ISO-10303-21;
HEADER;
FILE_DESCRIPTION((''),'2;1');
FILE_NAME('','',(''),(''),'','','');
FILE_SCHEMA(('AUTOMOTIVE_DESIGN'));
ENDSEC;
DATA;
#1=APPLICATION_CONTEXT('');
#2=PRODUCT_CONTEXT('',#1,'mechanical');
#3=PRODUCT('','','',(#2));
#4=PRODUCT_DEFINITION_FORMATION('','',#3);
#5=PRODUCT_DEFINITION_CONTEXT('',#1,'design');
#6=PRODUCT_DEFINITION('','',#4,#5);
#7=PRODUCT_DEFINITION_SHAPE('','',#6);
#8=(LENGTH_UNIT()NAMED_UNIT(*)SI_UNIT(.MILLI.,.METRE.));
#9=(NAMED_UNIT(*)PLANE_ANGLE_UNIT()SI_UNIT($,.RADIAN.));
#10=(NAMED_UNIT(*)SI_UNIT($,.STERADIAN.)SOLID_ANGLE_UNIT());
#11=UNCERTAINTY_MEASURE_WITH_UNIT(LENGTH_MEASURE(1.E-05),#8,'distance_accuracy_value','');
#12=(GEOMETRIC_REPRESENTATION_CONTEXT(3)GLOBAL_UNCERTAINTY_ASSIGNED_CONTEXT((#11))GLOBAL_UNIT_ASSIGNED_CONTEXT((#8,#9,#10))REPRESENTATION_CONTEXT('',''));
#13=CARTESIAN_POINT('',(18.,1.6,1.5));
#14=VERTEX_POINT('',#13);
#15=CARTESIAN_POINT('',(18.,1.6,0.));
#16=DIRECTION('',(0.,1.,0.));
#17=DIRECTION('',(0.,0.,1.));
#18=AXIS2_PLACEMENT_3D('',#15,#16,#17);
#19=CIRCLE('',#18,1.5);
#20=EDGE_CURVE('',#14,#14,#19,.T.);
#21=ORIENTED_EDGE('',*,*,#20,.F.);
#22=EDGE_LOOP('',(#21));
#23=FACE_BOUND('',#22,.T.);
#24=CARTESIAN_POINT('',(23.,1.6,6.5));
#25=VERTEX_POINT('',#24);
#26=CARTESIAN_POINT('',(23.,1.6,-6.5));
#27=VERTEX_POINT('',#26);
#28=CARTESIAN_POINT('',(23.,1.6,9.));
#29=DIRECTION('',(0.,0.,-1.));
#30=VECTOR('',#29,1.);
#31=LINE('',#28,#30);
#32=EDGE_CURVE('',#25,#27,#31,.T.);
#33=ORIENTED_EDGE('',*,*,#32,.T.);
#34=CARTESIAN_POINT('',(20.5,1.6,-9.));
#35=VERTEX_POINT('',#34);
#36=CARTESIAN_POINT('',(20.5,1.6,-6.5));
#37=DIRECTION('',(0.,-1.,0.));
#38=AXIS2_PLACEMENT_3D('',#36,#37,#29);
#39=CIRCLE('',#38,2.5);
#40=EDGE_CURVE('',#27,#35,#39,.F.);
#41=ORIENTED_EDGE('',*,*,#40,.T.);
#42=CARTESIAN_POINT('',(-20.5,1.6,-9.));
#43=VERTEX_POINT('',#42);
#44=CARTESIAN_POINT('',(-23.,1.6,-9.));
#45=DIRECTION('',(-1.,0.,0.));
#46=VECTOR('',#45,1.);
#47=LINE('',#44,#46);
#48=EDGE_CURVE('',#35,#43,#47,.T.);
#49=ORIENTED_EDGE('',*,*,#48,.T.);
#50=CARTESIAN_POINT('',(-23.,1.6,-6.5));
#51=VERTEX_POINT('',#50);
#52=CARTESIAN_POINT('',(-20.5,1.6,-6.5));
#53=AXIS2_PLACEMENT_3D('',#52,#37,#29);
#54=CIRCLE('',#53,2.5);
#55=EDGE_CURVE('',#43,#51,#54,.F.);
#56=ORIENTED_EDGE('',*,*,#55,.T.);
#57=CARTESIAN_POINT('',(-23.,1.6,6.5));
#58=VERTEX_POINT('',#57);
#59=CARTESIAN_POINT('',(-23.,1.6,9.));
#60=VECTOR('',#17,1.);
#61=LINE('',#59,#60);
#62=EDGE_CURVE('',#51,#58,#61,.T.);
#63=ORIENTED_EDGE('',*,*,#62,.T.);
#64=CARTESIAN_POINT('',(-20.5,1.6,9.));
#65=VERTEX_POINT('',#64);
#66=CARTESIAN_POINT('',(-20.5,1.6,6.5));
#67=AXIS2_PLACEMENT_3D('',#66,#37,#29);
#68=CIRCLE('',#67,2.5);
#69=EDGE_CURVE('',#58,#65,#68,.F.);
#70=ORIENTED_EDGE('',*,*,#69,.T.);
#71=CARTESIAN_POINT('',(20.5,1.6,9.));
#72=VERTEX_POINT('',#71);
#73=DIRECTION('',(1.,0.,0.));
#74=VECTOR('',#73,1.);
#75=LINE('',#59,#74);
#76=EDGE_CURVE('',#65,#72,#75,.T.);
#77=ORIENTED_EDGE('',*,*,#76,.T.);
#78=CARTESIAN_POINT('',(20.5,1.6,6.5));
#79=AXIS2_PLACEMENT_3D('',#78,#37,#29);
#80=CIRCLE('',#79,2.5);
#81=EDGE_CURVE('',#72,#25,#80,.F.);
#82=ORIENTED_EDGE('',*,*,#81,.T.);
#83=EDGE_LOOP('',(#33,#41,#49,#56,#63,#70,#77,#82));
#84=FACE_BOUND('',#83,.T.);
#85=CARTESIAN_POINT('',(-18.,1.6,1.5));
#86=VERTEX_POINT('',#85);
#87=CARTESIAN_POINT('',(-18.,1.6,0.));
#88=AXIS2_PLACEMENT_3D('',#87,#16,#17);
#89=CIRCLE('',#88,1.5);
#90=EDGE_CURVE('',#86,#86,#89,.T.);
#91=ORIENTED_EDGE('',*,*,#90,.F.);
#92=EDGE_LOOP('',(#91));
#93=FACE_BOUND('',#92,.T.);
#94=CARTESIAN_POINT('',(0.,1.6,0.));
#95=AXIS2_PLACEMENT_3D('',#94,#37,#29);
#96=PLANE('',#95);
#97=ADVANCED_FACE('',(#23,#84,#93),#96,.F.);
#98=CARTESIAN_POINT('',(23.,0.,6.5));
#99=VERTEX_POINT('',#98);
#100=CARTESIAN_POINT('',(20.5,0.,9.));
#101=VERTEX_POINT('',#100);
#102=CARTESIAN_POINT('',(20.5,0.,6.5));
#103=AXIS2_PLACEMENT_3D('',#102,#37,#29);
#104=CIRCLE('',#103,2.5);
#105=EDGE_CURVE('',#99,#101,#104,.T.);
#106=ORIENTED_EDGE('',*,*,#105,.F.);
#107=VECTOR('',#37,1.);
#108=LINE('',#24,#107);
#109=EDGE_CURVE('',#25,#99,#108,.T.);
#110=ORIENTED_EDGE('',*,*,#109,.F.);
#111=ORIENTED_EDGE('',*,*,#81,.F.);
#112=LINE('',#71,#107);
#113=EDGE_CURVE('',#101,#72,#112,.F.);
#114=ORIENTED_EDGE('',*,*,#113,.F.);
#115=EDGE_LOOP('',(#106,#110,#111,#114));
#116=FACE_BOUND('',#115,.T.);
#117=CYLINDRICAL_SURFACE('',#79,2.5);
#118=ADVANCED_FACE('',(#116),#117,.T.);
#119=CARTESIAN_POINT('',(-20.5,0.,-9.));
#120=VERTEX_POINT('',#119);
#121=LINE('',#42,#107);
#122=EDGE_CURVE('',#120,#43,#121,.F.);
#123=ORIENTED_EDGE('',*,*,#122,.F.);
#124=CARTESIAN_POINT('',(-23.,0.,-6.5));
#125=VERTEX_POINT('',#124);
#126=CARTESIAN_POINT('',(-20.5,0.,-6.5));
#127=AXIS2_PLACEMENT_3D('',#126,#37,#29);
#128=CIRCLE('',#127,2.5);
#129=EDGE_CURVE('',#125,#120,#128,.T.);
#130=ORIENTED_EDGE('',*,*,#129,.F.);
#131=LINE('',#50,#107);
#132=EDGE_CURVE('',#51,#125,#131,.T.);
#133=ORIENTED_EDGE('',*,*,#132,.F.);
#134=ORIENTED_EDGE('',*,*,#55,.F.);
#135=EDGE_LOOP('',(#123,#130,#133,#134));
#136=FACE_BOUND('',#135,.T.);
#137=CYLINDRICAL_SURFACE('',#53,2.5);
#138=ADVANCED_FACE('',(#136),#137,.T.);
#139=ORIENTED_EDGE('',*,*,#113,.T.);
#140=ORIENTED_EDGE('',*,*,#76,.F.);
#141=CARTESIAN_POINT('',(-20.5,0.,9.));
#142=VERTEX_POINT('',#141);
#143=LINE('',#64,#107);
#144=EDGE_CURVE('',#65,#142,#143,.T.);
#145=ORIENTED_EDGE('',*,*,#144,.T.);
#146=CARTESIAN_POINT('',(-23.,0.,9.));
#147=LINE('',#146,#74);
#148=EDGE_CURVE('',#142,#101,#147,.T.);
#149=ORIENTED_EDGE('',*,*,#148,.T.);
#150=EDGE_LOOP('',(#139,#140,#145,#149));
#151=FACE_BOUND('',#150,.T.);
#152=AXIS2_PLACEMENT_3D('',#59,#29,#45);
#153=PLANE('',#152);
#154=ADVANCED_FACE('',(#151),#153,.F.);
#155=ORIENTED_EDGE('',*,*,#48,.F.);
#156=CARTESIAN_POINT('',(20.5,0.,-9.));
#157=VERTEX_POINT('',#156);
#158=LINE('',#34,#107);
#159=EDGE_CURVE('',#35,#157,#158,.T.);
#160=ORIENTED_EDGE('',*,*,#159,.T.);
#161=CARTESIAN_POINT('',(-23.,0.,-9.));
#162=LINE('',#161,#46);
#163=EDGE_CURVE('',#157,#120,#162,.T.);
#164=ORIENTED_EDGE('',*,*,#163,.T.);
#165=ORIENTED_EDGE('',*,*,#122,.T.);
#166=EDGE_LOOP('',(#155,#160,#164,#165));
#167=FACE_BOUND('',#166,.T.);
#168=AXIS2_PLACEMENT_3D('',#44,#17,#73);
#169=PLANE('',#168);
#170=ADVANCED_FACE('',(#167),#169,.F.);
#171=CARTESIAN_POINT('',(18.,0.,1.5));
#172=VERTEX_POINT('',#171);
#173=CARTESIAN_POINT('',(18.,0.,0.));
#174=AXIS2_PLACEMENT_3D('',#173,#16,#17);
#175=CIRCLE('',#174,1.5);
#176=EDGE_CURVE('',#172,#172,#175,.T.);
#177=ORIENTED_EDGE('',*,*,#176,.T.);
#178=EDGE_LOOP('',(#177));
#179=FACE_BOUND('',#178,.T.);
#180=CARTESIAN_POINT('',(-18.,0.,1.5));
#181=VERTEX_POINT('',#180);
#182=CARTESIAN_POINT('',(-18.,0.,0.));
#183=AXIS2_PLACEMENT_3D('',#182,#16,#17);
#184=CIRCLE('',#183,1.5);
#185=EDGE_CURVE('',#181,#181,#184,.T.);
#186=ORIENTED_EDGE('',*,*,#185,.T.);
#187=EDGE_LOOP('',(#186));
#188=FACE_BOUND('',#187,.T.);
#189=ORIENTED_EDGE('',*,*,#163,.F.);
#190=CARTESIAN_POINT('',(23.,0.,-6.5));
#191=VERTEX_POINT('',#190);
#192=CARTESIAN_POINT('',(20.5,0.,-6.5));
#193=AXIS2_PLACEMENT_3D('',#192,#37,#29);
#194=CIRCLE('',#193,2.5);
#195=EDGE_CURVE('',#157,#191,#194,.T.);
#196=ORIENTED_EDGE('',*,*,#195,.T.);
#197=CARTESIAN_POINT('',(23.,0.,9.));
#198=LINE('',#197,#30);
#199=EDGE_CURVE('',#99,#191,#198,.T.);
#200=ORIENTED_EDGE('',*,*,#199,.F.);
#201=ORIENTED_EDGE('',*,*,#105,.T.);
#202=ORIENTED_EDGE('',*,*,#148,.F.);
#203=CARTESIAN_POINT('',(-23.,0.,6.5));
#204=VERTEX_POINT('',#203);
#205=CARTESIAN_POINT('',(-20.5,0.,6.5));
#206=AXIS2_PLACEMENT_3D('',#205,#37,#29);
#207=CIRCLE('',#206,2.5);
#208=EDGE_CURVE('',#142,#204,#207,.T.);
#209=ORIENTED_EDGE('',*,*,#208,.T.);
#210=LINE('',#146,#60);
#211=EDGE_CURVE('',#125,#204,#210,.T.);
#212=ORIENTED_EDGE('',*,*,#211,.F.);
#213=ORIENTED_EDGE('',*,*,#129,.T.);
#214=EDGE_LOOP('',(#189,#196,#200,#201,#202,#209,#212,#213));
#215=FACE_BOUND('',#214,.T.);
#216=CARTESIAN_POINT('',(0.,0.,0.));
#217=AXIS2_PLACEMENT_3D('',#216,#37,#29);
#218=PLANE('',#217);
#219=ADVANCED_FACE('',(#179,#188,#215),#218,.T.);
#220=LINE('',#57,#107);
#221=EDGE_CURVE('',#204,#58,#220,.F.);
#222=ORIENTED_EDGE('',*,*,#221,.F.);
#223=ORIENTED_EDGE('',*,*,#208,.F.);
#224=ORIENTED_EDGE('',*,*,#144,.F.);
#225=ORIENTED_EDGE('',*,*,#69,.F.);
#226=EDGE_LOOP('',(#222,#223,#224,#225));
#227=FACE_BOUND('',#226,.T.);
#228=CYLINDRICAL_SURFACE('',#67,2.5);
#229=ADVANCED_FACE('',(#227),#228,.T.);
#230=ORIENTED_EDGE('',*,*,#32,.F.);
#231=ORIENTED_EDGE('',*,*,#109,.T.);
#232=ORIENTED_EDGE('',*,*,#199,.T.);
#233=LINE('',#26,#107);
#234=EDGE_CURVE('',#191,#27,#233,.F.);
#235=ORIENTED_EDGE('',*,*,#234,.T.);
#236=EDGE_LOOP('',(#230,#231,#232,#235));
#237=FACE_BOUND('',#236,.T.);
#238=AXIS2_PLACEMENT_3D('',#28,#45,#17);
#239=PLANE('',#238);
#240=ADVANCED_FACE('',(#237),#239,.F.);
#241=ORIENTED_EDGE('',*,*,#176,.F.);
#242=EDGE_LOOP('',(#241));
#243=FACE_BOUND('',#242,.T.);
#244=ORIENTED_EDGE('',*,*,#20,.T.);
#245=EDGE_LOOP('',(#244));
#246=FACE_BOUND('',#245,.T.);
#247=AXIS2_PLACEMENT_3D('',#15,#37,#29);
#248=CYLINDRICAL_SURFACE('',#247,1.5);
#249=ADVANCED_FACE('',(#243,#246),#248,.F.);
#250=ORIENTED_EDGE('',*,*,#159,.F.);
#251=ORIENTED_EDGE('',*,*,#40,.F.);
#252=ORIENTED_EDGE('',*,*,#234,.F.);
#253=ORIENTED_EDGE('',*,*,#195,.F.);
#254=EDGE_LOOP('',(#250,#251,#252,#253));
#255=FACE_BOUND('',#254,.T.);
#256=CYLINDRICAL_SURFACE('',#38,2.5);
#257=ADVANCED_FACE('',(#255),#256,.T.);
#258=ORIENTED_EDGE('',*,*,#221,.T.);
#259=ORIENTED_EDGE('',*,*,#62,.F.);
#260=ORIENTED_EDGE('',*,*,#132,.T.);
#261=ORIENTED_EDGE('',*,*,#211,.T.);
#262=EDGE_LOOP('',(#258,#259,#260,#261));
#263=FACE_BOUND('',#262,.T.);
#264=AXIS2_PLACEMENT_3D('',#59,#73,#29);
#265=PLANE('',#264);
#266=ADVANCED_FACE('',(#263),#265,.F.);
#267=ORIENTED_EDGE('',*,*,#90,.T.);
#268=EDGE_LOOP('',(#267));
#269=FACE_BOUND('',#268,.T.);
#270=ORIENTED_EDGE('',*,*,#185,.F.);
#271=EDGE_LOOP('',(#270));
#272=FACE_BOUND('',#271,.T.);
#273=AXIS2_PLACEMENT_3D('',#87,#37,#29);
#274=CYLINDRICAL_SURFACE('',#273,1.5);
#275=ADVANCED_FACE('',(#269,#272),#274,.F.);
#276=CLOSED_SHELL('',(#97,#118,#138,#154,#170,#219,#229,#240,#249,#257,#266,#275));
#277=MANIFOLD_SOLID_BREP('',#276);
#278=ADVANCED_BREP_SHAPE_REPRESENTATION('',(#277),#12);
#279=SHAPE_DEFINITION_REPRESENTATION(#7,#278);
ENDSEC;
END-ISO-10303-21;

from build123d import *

# Parameters (mm, degrees)
SKETCH1_W           = 46
SKETCH1_H           = 18
SKETCH1_R           = 1.5
BOSS_EXTRUDE1_DEPTH = 1.6
FILLET1_R           = 2.5


with BuildPart() as part:
    # Sketch1 → Boss-Extrude1 (new body)
    with BuildSketch(Plane(origin=(0, 0, 0), x_dir=(1, 0, 0), z_dir=(0, 1, 0))):
        Rectangle(SKETCH1_W, SKETCH1_H)
        with Locations(Location((-18, 0, 0), (0, 0, 270))):
            Circle(SKETCH1_R, mode=Mode.SUBTRACT)
        with Locations(Location((18, 0, 0), (0, 0, 270))):
            Circle(SKETCH1_R, mode=Mode.SUBTRACT)
    extrude(amount=BOSS_EXTRUDE1_DEPTH)

    # Fillet1
    fillet1_edges = [part.edges().sort_by_distance(p)[0] for p in [
        (23, 0.8, 9),
        (-23, 0.8, 9),
        (-23, 0.8, -9),
        (23, 0.8, -9),
    ]]
    fillet(fillet1_edges, radius=FILLET1_R)


solid = part.part
